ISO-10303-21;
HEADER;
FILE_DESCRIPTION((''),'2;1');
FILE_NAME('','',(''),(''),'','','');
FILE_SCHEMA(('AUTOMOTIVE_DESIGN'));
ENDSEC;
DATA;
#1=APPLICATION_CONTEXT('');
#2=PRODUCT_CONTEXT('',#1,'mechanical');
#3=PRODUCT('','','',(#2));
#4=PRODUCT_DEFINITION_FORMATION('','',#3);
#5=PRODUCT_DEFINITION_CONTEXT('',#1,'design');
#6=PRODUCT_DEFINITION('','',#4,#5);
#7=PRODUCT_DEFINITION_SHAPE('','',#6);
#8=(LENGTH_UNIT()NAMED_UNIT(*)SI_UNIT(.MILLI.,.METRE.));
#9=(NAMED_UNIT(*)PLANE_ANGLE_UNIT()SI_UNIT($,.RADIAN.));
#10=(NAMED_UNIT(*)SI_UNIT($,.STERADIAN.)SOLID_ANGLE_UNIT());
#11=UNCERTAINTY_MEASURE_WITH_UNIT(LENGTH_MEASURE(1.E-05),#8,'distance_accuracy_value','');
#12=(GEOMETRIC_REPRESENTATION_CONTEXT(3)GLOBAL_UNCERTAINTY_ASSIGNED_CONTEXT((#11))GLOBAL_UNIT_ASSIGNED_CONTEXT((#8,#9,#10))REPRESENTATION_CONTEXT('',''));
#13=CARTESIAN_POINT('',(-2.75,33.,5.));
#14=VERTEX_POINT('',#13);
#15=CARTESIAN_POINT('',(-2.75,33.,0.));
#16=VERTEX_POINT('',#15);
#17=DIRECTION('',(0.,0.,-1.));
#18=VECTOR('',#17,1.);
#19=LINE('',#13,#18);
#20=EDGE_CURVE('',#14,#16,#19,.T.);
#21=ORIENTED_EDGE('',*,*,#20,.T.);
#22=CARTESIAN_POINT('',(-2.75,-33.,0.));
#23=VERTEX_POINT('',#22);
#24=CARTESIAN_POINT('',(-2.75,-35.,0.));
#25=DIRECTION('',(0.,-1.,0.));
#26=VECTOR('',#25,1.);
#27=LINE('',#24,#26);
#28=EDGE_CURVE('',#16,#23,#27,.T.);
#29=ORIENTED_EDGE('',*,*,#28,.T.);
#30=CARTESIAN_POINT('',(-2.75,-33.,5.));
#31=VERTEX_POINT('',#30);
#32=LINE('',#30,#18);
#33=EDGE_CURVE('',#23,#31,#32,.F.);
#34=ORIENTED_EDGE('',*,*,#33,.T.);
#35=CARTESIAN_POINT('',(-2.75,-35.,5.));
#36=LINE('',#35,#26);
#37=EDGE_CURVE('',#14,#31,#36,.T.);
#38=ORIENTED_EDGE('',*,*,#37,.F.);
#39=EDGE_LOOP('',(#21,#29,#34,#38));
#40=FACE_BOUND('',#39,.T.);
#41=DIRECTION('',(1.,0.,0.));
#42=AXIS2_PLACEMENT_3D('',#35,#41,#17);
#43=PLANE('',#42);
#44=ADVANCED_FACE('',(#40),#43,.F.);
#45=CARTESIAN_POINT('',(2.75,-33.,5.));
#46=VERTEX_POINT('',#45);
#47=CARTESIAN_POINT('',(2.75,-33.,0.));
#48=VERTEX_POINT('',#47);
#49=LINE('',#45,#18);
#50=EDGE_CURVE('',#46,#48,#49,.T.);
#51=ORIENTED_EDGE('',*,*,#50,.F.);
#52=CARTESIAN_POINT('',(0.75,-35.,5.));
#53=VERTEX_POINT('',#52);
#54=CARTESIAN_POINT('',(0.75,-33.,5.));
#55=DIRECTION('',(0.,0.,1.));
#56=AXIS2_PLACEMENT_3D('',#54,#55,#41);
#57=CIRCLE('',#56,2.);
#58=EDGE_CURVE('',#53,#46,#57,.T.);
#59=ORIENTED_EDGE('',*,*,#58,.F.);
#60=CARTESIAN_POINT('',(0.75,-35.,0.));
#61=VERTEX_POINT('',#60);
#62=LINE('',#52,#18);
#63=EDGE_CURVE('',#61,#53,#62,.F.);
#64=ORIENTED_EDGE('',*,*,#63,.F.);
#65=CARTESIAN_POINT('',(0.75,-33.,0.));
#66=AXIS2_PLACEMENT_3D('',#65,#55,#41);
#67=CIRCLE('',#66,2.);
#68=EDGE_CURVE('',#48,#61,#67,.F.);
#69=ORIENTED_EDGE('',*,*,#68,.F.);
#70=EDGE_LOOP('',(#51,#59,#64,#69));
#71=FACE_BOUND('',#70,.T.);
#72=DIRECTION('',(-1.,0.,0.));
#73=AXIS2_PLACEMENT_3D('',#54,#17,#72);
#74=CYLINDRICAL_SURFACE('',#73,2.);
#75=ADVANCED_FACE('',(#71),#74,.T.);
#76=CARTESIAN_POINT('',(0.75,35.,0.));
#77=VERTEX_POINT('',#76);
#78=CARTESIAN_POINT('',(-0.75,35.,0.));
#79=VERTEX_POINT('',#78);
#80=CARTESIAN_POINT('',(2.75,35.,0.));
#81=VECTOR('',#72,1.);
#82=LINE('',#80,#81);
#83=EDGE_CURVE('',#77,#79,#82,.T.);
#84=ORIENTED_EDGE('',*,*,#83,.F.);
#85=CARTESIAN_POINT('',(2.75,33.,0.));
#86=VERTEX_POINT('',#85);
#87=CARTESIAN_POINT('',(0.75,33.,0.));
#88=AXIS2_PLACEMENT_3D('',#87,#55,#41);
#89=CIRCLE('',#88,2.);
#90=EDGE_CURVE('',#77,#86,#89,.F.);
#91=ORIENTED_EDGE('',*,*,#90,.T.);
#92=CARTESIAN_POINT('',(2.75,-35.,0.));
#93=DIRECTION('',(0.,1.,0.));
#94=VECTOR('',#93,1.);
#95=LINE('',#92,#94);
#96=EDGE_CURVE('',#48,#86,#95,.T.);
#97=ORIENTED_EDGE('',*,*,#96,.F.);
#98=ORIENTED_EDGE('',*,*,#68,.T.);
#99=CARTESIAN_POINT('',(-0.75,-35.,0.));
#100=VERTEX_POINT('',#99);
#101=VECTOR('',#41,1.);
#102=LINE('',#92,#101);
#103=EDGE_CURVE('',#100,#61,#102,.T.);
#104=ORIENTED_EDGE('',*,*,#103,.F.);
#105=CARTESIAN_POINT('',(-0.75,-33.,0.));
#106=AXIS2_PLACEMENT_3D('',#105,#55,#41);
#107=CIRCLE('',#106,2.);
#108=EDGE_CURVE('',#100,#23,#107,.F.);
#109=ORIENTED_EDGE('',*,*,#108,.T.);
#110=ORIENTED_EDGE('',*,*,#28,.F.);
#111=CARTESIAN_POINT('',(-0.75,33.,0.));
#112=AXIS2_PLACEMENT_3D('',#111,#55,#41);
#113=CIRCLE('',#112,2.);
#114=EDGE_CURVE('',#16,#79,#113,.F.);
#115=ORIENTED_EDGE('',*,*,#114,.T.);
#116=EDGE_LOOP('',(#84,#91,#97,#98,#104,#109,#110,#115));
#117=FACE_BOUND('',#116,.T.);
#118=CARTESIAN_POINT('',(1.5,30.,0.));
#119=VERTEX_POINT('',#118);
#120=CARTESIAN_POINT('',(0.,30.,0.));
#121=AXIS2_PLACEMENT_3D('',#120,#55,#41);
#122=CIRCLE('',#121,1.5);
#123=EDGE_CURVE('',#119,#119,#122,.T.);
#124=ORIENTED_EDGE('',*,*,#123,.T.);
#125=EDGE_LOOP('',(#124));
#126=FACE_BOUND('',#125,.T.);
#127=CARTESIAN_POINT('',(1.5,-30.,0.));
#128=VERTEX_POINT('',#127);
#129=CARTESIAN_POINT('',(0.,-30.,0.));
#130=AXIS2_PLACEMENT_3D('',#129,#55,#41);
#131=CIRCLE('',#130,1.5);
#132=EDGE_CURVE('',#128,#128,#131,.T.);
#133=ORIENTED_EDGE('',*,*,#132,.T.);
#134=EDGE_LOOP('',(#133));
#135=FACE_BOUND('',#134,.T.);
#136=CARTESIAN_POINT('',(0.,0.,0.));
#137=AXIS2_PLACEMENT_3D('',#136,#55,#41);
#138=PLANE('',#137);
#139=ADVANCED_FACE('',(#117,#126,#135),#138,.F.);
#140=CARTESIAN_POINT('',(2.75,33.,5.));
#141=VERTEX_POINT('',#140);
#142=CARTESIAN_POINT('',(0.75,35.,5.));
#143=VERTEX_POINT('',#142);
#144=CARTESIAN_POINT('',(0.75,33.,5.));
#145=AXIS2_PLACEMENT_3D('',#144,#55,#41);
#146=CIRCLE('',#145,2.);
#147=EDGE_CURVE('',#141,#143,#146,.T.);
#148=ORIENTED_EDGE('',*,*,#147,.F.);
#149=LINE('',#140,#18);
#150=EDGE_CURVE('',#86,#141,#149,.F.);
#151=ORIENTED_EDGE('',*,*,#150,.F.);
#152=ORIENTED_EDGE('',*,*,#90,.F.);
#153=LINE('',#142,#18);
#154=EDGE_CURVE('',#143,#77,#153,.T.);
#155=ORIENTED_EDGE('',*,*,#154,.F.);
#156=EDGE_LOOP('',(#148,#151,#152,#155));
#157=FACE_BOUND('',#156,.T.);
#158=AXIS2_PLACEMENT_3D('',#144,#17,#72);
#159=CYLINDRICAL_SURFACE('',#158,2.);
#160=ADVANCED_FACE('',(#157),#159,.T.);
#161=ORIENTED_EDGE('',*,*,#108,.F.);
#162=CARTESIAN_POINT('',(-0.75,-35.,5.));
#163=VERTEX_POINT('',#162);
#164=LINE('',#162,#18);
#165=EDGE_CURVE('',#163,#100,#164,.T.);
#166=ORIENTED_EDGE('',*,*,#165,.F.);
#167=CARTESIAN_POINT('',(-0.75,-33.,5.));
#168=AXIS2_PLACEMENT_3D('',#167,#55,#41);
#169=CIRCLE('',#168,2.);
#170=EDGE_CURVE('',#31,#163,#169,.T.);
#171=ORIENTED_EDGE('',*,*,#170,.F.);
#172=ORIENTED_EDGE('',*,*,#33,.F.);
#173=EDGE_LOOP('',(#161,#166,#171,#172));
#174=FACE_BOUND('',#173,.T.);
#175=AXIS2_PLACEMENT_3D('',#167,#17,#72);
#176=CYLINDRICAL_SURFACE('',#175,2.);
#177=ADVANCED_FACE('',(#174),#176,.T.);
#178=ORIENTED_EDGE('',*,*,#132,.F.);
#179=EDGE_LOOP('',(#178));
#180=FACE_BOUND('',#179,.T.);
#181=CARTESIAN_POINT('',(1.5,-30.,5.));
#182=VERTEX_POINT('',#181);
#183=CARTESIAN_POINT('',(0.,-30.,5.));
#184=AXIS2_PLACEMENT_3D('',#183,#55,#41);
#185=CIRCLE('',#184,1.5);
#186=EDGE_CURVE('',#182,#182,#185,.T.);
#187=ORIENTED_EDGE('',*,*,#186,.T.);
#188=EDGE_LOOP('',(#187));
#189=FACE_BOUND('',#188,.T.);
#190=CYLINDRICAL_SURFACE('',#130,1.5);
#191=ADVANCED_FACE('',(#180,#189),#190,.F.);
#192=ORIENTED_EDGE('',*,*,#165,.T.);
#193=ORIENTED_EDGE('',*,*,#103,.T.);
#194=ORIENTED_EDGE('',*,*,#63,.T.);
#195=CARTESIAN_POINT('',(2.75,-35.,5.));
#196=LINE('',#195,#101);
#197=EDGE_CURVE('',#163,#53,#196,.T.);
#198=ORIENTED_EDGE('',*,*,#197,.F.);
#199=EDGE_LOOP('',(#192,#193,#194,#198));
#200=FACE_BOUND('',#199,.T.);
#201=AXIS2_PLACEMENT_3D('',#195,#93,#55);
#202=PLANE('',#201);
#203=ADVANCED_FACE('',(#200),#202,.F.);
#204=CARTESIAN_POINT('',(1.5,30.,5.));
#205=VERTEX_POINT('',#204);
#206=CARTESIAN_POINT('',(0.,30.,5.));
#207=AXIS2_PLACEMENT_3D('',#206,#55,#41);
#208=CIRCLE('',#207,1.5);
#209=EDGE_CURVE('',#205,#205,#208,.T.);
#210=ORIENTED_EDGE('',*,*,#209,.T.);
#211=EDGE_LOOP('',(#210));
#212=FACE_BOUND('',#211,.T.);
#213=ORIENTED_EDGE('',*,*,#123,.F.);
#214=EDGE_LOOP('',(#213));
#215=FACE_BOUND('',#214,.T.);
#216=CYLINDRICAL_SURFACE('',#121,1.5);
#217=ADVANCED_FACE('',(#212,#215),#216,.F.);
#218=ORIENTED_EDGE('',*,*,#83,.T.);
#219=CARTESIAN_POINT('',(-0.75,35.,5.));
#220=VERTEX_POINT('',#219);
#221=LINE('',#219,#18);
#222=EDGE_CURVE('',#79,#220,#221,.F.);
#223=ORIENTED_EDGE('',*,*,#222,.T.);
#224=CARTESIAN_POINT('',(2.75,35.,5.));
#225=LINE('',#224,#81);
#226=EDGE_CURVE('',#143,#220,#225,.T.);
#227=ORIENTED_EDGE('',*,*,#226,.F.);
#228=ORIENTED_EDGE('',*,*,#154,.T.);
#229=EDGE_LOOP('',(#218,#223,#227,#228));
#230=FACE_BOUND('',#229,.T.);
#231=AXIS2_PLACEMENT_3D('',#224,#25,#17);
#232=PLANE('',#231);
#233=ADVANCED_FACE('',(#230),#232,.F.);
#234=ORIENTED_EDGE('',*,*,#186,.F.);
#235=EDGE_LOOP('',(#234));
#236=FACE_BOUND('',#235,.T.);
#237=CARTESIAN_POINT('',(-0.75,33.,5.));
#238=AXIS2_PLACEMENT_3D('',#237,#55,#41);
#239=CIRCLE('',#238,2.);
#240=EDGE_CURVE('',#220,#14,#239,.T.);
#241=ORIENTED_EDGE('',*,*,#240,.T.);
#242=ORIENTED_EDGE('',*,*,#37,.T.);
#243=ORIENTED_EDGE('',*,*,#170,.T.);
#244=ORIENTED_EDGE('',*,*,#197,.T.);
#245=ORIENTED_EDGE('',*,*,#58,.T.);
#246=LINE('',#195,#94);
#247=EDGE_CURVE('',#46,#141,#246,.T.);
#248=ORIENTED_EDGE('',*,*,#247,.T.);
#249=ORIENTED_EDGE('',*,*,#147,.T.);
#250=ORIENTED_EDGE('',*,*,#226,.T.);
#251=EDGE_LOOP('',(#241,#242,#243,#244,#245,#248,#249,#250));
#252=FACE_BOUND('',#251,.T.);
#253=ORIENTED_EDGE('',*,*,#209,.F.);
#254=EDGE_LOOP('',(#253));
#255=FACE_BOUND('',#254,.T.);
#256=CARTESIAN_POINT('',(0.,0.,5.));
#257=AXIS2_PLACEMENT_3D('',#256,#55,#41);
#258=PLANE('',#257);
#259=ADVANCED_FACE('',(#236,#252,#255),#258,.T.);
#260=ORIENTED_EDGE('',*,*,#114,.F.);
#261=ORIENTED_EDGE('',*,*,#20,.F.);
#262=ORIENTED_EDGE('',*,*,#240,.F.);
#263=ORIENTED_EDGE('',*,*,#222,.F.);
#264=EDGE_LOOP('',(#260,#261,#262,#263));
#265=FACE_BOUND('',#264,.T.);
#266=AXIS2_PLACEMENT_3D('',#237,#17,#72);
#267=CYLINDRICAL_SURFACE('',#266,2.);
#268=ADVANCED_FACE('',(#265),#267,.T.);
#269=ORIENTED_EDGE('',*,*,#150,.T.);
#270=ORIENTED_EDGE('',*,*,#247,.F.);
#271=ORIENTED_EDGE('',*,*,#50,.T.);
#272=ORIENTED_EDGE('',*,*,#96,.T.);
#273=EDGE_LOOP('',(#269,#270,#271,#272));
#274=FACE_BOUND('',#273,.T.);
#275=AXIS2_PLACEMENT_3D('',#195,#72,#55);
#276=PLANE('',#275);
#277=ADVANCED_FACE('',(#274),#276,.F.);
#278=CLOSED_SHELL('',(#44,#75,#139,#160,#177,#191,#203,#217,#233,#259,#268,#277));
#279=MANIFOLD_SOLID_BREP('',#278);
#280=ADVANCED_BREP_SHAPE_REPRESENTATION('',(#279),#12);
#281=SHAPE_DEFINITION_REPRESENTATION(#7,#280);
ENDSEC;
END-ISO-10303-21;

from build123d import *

# Parameters (mm, degrees)
SKETCH_1_W          = 5.5
SKETCH_1_H          = 70
EXTRUDE_1_DEPTH     = 5
SKETCH_2_R          = 1.5
CUT_EXTRUDE_1_DEPTH = 36.462127686
FILLET_1_R          = 2


with BuildPart() as part:
    # 草图1 → 凸台-拉伸1 (new body)
    with BuildSketch(Plane.XY):
        Rectangle(SKETCH_1_W, SKETCH_1_H)
    extrude(amount=EXTRUDE_1_DEPTH)

    # 草图2 → 切除-拉伸1 (cut, through all)
    with BuildSketch(Plane.XY.offset(5)):
        with Locations((0, 30)):
            Circle(SKETCH_2_R)
        with Locations((0, -30)):
            Circle(SKETCH_2_R)
    extrude(amount=-CUT_EXTRUDE_1_DEPTH, mode=Mode.SUBTRACT)

    # 圆角1
    fillet_1_edges = [part.edges().sort_by_distance(p)[0] for p in [
        (-2.75, 35, 2.5),
        (2.75, 35, 2.5),
        (2.75, -35, 2.5),
        (-2.75, -35, 2.5),
    ]]
    fillet(fillet_1_edges, radius=FILLET_1_R)


solid = part.part
